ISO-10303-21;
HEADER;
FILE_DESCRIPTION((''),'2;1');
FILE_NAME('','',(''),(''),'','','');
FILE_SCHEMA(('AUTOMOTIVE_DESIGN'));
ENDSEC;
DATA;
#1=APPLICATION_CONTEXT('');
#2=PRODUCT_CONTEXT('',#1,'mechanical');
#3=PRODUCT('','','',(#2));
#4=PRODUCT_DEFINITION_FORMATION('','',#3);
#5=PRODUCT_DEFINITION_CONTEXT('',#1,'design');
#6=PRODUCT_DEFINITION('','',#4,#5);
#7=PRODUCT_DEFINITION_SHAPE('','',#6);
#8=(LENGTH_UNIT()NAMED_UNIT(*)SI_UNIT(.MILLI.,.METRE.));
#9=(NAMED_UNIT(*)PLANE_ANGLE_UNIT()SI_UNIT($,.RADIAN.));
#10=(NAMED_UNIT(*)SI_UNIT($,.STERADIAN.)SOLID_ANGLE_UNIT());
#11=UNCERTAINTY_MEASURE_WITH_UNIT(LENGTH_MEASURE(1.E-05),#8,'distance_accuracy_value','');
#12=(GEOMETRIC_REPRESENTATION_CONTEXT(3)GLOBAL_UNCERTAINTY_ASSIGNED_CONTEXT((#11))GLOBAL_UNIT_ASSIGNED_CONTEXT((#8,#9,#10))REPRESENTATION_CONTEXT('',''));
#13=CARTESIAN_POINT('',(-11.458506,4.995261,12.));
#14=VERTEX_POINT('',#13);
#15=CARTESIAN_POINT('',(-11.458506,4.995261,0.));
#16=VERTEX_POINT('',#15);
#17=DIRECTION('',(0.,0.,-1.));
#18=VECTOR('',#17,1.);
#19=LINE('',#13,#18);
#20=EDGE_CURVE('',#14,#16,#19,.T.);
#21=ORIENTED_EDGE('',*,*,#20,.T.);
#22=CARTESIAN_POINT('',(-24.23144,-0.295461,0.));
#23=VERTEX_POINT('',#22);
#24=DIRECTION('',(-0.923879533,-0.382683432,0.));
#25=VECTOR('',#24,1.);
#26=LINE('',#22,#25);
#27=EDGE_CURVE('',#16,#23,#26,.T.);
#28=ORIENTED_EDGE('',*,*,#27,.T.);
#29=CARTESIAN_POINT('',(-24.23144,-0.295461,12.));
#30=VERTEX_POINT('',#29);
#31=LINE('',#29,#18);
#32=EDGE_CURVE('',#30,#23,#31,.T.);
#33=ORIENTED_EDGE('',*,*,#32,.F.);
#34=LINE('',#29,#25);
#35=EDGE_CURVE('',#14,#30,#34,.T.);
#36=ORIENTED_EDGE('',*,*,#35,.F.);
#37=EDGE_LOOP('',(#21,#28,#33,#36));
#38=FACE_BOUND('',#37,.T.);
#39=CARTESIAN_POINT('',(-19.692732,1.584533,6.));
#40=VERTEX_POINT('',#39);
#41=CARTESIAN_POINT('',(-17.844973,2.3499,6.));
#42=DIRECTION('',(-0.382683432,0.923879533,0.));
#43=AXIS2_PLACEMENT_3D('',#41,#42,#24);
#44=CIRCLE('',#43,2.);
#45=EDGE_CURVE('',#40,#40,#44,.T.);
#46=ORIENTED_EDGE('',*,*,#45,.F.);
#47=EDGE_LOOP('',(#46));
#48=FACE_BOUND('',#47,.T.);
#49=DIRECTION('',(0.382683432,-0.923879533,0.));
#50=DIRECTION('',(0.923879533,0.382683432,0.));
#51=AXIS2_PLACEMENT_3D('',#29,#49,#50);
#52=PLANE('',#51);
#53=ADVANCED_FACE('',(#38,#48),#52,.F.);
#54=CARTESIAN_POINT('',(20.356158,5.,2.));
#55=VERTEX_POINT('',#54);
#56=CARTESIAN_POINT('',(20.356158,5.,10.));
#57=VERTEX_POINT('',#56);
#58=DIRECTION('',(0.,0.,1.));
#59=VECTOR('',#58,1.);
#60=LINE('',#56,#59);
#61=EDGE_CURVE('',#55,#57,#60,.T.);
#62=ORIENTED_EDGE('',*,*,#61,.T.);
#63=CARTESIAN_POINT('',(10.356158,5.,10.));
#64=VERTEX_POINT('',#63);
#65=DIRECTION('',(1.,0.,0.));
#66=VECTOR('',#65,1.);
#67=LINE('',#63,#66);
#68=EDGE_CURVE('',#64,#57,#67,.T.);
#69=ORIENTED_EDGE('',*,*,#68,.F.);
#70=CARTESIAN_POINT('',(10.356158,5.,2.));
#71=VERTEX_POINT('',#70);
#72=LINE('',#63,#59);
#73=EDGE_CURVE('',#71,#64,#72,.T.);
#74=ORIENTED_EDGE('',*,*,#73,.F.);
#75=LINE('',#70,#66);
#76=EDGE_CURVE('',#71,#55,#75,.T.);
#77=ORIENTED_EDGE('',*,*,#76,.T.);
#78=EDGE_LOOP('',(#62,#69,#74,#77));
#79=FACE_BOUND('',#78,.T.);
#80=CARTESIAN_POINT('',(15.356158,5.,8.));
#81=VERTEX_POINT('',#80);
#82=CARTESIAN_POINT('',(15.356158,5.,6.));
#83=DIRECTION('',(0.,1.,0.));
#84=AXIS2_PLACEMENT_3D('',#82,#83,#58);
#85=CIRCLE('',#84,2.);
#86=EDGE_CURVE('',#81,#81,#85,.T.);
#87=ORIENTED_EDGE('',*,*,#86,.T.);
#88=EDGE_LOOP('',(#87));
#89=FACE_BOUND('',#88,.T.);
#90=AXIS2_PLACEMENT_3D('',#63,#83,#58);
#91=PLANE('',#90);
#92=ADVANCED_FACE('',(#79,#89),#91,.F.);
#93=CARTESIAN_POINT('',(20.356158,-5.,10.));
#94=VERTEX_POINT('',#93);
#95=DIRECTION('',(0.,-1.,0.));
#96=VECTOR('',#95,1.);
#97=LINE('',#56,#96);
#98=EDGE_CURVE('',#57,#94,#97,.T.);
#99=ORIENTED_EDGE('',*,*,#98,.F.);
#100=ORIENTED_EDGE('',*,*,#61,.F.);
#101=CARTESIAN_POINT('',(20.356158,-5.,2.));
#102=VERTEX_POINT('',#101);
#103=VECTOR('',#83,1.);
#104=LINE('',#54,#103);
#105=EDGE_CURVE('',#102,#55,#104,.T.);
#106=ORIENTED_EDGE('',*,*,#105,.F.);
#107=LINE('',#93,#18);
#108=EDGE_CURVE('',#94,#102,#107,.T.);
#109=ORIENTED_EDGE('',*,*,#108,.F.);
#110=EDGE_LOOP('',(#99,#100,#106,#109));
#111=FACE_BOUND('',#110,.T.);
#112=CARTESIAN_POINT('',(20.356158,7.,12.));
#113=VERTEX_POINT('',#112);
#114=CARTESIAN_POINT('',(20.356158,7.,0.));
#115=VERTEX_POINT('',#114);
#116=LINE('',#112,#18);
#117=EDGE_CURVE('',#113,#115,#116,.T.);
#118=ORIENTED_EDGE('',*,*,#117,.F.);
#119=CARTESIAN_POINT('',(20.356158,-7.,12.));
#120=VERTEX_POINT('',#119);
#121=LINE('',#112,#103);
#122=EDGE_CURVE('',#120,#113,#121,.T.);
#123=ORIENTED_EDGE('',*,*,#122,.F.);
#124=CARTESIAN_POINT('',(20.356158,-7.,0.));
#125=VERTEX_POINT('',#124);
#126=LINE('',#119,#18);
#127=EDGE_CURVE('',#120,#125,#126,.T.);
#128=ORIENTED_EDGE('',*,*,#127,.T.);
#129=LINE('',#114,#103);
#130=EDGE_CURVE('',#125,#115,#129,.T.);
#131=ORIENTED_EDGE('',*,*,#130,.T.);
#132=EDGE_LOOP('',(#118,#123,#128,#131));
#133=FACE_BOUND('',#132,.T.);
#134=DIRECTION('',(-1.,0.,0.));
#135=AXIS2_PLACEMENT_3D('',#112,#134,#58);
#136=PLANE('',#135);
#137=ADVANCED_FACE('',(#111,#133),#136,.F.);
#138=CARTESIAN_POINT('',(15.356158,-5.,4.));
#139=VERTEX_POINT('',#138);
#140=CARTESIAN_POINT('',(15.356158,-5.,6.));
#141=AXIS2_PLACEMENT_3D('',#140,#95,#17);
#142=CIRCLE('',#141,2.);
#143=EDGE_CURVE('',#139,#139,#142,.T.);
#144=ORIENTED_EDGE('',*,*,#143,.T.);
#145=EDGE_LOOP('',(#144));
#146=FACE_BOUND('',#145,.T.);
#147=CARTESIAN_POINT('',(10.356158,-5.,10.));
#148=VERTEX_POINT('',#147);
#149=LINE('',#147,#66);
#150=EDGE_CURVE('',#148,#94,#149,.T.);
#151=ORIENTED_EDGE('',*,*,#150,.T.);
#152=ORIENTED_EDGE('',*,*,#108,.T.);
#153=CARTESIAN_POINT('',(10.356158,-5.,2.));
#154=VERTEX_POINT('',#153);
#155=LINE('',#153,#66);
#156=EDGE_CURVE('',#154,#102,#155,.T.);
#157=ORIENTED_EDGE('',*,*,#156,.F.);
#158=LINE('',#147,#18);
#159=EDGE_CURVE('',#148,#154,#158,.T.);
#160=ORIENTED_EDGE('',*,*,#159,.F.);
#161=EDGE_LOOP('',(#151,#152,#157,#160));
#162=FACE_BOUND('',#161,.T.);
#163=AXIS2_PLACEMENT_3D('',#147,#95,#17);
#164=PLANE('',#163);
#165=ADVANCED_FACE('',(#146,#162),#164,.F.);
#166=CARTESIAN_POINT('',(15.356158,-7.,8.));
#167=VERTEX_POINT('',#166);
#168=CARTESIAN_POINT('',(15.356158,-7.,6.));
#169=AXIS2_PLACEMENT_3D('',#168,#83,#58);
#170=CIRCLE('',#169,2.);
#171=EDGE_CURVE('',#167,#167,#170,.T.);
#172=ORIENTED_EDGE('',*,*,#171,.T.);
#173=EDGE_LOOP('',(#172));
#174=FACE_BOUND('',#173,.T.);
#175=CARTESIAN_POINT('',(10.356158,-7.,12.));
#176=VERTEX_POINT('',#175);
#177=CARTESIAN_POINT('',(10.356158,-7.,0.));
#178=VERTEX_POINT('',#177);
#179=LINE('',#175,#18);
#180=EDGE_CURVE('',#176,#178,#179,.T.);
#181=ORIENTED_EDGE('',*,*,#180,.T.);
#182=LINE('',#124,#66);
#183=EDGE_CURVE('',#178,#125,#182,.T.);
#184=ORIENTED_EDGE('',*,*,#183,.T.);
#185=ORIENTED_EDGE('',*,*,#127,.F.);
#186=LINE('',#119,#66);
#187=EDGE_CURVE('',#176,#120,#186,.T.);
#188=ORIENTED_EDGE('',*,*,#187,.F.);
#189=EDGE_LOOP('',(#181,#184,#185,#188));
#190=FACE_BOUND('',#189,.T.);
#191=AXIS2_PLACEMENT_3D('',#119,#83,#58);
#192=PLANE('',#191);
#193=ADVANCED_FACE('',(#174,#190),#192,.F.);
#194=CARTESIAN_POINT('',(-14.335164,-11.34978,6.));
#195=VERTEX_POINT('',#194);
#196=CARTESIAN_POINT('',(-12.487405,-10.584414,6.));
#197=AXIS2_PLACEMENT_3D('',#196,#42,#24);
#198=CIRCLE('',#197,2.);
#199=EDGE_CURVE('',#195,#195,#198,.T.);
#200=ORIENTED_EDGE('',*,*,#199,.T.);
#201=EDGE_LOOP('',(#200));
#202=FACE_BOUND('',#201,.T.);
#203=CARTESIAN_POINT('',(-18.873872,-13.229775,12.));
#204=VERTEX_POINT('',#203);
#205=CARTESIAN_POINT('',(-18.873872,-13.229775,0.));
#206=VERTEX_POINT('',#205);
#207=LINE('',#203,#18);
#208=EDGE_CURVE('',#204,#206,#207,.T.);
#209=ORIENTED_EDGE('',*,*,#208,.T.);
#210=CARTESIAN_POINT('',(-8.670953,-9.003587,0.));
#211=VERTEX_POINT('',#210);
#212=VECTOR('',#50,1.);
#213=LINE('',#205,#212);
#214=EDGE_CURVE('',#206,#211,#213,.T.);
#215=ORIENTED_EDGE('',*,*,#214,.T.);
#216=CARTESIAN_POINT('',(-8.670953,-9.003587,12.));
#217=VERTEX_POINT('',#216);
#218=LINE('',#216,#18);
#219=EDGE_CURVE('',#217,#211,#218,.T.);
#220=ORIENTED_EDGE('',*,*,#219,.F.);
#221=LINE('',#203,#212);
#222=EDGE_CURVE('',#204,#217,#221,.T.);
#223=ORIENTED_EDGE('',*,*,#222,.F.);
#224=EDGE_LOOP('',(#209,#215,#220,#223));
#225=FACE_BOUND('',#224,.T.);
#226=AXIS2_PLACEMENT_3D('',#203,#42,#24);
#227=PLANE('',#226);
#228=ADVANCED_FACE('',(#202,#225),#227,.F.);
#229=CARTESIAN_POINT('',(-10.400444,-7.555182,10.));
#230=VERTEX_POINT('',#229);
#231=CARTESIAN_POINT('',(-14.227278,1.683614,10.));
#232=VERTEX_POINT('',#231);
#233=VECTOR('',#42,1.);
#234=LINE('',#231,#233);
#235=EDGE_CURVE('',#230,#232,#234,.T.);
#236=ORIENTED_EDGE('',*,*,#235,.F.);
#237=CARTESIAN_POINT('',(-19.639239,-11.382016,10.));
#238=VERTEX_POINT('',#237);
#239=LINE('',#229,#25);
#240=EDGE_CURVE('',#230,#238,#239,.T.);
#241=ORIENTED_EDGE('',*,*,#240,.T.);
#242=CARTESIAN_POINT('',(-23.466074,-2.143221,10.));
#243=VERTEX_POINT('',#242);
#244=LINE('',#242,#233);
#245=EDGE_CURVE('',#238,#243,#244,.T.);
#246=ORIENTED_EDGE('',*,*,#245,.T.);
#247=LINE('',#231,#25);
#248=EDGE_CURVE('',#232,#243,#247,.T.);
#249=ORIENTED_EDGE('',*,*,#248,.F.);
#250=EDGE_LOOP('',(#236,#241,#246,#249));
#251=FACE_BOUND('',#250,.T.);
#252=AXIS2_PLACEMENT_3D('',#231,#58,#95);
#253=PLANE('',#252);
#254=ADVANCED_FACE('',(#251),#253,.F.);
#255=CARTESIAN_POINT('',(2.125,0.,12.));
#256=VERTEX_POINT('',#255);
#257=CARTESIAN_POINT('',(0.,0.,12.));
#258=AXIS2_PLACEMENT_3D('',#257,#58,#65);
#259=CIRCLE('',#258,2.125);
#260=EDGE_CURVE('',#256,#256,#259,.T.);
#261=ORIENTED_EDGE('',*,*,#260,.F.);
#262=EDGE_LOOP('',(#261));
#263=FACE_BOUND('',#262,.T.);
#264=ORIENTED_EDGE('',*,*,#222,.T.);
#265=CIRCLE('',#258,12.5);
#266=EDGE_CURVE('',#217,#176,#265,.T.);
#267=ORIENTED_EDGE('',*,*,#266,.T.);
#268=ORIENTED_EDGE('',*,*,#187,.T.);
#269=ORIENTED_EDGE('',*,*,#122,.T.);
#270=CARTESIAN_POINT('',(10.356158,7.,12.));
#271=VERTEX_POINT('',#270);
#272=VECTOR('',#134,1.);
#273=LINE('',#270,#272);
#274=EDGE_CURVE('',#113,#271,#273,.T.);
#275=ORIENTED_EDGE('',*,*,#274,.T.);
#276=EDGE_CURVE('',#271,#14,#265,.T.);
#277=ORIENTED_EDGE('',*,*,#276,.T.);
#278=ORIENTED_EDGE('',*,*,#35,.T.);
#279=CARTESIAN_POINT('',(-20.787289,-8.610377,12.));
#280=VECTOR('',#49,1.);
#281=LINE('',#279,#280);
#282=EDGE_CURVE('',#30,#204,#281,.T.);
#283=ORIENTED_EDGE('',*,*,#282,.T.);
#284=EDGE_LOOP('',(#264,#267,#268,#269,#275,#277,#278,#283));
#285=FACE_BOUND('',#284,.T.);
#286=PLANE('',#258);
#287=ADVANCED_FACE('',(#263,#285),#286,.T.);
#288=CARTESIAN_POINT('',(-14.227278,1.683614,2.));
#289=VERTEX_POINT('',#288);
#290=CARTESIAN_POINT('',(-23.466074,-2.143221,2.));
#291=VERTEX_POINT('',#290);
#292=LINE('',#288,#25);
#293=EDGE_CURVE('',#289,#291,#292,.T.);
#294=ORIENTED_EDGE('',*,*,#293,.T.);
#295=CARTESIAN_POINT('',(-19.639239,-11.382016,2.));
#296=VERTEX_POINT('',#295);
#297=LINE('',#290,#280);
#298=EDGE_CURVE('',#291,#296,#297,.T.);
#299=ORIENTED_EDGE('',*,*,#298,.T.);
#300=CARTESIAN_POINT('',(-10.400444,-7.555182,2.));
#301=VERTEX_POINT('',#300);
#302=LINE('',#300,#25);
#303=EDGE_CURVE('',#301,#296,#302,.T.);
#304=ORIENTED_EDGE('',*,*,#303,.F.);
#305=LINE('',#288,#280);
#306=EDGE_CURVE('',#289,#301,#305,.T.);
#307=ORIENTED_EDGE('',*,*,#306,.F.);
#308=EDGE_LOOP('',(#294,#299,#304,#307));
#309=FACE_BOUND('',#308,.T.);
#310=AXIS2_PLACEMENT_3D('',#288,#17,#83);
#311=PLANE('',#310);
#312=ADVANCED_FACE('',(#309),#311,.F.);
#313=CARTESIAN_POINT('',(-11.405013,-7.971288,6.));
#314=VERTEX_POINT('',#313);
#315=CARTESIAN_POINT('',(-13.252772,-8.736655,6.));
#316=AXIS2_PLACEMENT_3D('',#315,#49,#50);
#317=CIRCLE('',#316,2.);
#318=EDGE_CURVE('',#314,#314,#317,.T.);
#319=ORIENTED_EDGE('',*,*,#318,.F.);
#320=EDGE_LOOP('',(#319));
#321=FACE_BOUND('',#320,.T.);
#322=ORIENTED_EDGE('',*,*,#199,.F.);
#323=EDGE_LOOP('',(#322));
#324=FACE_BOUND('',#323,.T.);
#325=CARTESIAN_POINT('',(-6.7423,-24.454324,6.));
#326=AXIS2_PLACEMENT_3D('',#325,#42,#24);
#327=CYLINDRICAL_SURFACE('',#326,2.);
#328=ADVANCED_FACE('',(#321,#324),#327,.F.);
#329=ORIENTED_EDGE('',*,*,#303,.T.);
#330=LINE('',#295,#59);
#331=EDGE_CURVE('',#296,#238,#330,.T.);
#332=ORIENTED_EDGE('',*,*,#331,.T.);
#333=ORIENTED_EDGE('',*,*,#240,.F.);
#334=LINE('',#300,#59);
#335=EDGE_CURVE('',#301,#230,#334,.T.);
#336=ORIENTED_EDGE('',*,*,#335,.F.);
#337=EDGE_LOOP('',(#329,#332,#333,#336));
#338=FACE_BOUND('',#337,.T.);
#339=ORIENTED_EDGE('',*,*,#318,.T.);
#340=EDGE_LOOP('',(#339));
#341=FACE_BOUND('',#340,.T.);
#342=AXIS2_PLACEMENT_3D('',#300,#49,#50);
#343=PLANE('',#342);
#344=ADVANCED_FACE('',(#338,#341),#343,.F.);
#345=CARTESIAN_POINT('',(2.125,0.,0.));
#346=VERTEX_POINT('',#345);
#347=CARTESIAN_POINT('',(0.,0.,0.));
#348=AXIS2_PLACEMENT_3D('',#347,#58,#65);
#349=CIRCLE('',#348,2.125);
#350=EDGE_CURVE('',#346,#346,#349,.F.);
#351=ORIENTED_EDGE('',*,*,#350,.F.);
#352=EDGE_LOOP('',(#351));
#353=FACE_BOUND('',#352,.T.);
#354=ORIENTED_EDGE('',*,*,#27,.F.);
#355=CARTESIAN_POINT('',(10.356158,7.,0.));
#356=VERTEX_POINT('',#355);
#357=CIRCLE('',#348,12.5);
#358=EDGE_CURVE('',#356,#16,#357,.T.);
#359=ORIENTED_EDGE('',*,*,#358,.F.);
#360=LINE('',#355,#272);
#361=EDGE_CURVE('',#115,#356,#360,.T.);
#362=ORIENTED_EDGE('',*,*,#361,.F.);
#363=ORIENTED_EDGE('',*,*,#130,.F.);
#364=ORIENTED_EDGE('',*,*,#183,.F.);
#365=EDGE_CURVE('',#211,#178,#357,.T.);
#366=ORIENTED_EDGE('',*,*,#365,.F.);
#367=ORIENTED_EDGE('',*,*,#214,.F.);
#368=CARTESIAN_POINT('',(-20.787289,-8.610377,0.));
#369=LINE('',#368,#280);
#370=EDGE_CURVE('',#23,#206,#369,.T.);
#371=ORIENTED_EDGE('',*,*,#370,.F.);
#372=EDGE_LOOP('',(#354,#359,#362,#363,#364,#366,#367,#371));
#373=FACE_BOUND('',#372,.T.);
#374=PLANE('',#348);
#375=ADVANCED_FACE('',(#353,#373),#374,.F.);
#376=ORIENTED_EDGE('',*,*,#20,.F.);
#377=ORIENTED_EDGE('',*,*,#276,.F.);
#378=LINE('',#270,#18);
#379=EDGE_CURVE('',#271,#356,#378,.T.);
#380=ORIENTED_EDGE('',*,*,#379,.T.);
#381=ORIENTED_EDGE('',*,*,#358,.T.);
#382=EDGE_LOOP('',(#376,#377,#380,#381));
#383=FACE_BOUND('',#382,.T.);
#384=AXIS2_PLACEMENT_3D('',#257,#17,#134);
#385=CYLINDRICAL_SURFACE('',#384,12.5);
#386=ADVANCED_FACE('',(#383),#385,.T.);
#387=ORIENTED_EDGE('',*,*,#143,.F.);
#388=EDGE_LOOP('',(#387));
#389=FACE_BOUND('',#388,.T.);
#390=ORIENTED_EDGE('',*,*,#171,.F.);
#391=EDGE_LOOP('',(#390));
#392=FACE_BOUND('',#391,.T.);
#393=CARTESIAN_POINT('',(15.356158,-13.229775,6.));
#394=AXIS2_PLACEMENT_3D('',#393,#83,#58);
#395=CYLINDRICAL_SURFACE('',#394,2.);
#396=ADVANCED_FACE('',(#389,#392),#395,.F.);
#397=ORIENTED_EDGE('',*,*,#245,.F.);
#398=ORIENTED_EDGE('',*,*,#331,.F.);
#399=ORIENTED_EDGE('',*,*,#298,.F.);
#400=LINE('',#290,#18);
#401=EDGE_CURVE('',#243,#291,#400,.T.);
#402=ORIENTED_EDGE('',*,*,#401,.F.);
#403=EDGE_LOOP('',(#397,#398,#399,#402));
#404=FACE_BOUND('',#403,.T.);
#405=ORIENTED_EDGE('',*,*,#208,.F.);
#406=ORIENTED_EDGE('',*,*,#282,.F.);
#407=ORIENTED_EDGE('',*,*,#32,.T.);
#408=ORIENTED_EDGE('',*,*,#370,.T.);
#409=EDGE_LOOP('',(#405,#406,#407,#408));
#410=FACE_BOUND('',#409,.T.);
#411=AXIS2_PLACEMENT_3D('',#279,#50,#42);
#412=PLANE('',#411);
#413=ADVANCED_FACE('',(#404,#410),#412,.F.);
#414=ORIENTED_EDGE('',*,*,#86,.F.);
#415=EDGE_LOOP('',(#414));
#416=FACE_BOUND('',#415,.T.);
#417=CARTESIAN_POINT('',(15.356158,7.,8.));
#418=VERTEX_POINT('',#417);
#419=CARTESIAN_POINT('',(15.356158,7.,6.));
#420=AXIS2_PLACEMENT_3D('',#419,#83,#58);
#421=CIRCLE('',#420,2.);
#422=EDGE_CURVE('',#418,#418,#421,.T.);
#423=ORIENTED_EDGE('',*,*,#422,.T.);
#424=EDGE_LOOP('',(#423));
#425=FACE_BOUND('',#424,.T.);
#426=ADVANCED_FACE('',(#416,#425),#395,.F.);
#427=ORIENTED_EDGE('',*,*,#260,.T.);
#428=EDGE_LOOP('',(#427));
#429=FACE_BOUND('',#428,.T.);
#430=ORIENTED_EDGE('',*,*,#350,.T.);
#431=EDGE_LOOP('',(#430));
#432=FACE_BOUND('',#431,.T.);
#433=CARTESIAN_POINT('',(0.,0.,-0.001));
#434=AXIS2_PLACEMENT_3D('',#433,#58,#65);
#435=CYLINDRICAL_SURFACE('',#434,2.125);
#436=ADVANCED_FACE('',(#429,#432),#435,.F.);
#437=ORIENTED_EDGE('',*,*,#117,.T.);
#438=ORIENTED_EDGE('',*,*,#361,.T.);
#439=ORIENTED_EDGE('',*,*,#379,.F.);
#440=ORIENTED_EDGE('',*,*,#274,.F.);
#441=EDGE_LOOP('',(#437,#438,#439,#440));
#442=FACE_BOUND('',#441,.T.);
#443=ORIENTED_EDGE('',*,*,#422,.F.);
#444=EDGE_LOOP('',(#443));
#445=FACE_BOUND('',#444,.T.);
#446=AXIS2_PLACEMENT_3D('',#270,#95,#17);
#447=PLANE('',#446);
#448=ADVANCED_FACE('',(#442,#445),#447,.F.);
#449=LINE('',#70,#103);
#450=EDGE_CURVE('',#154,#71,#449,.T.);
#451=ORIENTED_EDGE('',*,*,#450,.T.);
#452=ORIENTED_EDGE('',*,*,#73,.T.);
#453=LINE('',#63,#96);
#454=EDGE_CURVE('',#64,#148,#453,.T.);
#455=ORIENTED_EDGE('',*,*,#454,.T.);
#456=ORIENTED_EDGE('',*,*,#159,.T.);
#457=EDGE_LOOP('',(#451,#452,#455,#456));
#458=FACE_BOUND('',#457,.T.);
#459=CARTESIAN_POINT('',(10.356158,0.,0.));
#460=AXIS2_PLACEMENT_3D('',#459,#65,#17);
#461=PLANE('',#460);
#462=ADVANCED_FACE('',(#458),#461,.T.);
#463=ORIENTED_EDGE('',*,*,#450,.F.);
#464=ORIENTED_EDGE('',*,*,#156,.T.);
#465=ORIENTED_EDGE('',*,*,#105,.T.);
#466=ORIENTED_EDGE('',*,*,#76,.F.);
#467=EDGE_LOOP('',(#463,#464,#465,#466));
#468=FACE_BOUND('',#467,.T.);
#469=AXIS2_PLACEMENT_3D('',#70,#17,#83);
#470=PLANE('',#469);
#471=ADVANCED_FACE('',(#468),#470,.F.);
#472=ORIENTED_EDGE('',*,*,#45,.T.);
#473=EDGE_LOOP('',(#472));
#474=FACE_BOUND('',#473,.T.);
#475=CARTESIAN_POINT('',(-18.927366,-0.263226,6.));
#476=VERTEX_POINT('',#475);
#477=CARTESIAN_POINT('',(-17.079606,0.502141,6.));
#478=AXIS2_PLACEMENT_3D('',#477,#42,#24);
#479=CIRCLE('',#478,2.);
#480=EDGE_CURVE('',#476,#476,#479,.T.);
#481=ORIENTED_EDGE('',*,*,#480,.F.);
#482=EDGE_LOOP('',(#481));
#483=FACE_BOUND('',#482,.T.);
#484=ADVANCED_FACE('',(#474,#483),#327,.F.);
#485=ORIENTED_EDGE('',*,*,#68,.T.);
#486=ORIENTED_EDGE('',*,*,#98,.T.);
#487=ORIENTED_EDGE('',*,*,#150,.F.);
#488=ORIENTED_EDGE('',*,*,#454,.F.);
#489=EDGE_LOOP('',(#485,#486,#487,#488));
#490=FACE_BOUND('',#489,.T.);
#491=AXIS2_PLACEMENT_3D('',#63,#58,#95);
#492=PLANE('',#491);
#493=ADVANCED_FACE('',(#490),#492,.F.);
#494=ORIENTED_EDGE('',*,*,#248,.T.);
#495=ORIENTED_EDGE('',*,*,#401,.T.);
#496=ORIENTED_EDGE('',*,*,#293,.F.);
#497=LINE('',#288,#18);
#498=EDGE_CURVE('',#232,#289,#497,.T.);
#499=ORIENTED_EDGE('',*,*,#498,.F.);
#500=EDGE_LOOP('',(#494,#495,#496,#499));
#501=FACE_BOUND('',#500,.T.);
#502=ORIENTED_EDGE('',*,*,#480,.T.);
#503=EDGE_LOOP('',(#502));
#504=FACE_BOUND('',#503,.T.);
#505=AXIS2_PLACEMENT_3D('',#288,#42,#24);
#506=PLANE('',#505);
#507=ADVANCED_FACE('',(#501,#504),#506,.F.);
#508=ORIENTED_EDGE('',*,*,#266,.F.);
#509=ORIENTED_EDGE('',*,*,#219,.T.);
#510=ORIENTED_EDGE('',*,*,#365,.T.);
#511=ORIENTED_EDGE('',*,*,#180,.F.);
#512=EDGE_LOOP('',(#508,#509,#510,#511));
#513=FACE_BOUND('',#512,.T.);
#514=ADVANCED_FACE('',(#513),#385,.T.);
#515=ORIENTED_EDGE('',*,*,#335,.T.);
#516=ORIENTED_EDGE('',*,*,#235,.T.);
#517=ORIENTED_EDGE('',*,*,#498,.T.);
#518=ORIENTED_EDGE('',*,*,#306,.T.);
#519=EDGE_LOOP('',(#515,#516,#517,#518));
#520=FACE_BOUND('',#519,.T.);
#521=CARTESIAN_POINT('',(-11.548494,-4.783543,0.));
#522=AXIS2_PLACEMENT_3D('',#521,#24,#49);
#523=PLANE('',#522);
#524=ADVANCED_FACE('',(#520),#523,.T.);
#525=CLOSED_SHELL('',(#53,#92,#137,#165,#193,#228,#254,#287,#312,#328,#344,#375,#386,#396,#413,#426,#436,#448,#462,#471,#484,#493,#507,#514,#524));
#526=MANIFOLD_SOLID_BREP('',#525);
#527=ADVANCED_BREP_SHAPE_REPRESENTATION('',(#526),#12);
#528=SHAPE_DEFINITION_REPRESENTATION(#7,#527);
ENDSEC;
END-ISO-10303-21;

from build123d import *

# Parameters (mm, degrees)
SKETCH1_R           = 12.5
BOSS_EXTRUDE2_DEPTH = 12
CUT_EXTRUDE3_REACH  = 14
SKETCH5_R           = 2.125
BOSS_EXTRUDE3_DEPTH = 12
SKETCH9_W           = 8
SKETCH9_H           = 10
CUT_EXTRUDE4_DEPTH  = 10
SKETCH10_W          = 8
SKETCH10_H          = 10
CUT_EXTRUDE5_DEPTH  = 10
SKETCH11_R          = 2
CUT_EXTRUDE6_DEPTH  = 21.229774891
SKETCH12_R          = 2
CUT_EXTRUDE7_DEPTH  = 30.012682497


with BuildPart() as part:
    # Sketch1 → Boss-Extrude2 (new body)
    with BuildSketch(Plane.XY):
        Circle(SKETCH1_R)
    extrude(amount=BOSS_EXTRUDE2_DEPTH)

    # Sketch5 → Cut-Extrude3 (cut, up to next)
    with BuildSketch(Plane.XY.offset(12), mode=Mode.PRIVATE) as cut_extrude3_sk1:
        Circle(SKETCH5_R)
    cut_extrude3_tool1 = extrude(cut_extrude3_sk1.sketch, amount=-CUT_EXTRUDE3_REACH, mode=Mode.PRIVATE) & part.part
    add(cut_extrude3_tool1.solids().sort_by_distance((0, 0, 12))[0], mode=Mode.SUBTRACT)

    # Sketch6 → Boss-Extrude3 (add)
    with BuildSketch(Plane.XY):
        with BuildLine():
            Line((10.356157589, 7), (20.356157589, 7))
            Line((20.356157589, 7), (20.356157589, -7))
            Line((20.356157589, -7), (10.356157589, -7))
            ThreePointArc((10.356157589, -7), (12.5, 0), (10.356157589, 7))
        make_face()
        with BuildLine():
            Line((-24.231440373, -0.295461436), (-11.458506302, 4.995261088))
            ThreePointArc((-11.458506302, 4.995261088), (-12.259311424, -2.441164357), (-8.670952565, -9.003587153))
            Line((-8.670952565, -9.003587153), (-18.87387232, -13.229774891))
            Line((-18.87387232, -13.229774891), (-20.787289482, -8.610377228))
            Line((-20.787289482, -8.610377228), (-24.231440373, -0.295461436))
        make_face()
    extrude(amount=BOSS_EXTRUDE3_DEPTH)

    # Sketch9 → Cut-Extrude4 (cut)
    with BuildSketch(Plane(origin=(20.356157589, 0, 0), x_dir=(0, 0, -1), z_dir=(1, 0, 0))):
        with Locations((-6, 0)):
            Rectangle(SKETCH9_W, SKETCH9_H)
    extrude(amount=-CUT_EXTRUDE4_DEPTH, mode=Mode.SUBTRACT)

    # Sketch10 → Cut-Extrude5 (cut)
    with BuildSketch(Plane(origin=(-20.787289482, -8.610377228, 0), x_dir=(0, 0, 1), z_dir=(-0.923879533, -0.382683432, 0))):
        with Locations((6, 2)):
            Rectangle(SKETCH10_W, SKETCH10_H)
    extrude(amount=-CUT_EXTRUDE5_DEPTH, mode=Mode.SUBTRACT)

    # Sketch11 → Cut-Extrude6 (cut, through all)
    with BuildSketch(Plane(origin=(0, 7, 0), x_dir=(1, 0, 0), z_dir=(0, 1, 0))):
        with Locations((15.356157589, -6)):
            Circle(SKETCH11_R)
    extrude(amount=-CUT_EXTRUDE6_DEPTH, mode=Mode.SUBTRACT)

    # Sketch12 → Cut-Extrude7 (cut, through all)
    with BuildSketch(Plane(origin=(-3.444150891, 8.314915793, 0), x_dir=(0.923879533, 0.382683432, 0), z_dir=(-0.382683432, 0.923879533, 0))):
        with Locations((-15.587337893, -6)):
            Circle(SKETCH12_R)
    extrude(amount=-CUT_EXTRUDE7_DEPTH, mode=Mode.SUBTRACT)


solid = part.part
